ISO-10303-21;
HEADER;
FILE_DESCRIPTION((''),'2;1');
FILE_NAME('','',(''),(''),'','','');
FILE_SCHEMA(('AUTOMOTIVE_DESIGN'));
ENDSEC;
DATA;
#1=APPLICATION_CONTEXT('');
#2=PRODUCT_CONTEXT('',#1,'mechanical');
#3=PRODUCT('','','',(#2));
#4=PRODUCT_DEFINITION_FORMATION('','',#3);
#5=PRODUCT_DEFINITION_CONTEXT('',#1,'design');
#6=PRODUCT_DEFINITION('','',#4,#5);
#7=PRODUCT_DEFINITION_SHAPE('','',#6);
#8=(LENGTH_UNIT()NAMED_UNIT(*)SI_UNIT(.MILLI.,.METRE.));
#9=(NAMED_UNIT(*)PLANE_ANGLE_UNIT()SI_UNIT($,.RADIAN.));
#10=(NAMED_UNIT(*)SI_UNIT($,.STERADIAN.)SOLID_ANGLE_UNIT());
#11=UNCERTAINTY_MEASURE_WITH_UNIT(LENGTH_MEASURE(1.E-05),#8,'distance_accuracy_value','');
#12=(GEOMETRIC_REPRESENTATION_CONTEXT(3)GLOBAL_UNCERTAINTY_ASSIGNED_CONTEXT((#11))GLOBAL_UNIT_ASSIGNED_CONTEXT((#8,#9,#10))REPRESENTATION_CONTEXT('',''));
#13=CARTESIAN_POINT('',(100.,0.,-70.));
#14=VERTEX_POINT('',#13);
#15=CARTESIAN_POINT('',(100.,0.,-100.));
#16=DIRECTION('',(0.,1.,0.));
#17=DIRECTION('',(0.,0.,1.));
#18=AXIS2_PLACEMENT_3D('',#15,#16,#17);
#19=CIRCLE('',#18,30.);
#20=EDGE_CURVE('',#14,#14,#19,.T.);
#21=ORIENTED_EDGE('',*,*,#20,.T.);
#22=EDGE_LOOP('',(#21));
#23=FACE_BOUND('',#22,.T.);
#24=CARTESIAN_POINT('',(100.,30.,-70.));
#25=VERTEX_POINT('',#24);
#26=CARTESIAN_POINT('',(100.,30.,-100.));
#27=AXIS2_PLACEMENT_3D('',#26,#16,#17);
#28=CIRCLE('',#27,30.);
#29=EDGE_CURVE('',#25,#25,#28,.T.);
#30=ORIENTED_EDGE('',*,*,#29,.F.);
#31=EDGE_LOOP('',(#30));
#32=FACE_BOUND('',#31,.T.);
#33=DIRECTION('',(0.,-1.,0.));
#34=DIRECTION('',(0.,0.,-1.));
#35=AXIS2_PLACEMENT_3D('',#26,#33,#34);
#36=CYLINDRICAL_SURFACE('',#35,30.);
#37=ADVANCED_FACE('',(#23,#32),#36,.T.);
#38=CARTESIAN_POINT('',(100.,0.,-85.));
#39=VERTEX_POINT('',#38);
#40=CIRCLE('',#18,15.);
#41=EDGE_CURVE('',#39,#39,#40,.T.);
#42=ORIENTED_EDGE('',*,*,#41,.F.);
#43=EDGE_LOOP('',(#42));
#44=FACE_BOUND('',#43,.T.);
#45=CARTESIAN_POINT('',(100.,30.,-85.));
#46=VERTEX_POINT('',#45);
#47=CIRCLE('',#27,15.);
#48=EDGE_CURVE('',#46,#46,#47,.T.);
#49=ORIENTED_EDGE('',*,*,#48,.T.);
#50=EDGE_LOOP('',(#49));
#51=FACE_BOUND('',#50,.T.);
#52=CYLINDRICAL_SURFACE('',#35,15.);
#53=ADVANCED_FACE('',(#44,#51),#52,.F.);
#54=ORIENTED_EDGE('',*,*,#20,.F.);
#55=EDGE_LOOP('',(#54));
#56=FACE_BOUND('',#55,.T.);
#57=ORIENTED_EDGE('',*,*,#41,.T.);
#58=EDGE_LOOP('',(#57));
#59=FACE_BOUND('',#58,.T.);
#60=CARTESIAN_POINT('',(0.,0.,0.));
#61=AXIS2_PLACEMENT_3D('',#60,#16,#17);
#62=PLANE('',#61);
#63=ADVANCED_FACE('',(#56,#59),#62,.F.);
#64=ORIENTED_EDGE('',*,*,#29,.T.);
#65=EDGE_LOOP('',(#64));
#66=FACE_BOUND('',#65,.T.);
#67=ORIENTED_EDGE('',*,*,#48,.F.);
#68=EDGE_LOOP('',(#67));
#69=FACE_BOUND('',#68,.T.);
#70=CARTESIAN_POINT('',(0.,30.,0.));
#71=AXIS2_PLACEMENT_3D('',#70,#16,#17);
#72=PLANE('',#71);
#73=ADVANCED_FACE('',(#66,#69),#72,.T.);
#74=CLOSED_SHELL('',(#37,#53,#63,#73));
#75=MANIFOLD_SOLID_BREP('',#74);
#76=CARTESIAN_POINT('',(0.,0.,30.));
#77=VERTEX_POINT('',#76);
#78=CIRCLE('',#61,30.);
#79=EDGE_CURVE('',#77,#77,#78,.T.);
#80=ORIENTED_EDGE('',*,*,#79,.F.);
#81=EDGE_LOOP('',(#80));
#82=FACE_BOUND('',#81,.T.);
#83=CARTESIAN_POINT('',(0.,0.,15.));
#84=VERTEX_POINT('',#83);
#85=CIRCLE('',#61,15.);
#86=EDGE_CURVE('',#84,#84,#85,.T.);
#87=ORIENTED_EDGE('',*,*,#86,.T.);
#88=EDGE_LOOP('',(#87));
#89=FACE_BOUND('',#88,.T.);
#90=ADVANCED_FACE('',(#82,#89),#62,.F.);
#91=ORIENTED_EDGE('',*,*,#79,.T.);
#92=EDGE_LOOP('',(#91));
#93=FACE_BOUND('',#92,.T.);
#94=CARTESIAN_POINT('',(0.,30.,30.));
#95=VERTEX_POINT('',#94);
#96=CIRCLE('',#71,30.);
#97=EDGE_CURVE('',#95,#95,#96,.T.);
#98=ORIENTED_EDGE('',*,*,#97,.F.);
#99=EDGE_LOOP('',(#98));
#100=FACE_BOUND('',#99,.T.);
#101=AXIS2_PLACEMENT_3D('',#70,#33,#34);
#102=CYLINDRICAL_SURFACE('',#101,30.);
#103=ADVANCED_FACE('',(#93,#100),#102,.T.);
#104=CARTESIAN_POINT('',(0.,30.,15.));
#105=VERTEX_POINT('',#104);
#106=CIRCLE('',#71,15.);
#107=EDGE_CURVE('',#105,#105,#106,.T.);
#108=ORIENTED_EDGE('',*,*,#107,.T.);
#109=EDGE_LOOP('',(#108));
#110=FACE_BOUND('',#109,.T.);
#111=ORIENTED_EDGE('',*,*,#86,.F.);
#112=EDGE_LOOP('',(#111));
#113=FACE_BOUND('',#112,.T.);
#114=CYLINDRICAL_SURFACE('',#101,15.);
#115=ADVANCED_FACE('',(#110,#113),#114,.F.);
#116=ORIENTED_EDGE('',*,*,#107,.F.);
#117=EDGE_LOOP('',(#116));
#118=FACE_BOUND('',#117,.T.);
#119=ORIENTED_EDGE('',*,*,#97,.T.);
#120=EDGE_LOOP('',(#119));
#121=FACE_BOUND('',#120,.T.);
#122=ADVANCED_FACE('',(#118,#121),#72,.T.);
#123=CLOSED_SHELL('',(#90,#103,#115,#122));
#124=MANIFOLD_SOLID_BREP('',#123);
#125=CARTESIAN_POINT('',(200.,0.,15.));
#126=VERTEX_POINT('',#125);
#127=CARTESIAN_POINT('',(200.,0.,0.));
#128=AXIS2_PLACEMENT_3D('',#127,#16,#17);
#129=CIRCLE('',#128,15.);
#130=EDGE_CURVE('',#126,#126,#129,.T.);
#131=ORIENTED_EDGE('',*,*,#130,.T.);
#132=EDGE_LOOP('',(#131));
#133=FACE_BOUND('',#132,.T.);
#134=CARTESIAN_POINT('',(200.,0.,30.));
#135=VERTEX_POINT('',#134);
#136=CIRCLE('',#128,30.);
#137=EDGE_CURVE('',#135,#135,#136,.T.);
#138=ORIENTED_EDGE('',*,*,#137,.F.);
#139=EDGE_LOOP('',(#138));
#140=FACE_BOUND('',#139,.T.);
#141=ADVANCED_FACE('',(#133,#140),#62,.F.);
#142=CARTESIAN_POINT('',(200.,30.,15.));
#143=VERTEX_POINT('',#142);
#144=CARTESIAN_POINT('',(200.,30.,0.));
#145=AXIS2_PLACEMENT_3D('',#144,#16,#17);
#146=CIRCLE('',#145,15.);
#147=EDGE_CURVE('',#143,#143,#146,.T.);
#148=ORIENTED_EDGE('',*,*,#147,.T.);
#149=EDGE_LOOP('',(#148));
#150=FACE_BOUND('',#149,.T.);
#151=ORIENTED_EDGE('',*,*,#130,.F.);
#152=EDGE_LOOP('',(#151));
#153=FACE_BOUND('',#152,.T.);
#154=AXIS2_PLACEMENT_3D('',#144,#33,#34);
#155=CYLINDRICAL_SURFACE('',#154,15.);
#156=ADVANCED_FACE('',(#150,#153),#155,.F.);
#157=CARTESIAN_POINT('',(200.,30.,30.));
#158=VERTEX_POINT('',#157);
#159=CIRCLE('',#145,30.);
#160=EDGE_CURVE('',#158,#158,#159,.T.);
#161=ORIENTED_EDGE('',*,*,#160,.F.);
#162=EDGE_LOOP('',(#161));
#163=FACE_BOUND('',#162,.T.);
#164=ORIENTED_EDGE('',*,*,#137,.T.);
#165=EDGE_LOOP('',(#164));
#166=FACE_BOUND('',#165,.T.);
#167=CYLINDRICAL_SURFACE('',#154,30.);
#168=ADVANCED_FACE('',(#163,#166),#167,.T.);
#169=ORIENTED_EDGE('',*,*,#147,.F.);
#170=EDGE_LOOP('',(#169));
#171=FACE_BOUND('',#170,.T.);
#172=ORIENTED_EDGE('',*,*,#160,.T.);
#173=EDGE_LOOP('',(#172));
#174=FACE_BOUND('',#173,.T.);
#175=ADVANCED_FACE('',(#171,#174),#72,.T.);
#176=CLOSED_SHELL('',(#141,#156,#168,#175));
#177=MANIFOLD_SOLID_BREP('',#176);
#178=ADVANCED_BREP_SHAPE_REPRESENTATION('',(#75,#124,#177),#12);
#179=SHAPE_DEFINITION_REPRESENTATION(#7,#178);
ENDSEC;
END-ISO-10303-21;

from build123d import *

# Parameters (mm, degrees)
SKETCH1_R             = 30
SKETCH1_R_2           = 15
BOSS_EXTRUDE1_DEPTH   = 30
BOSS_EXTRUDE1_2_DEPTH = 30
BOSS_EXTRUDE1_3_DEPTH = 30


with BuildPart() as part:
    # Sketch1 → Boss-Extrude1 (new body)
    with BuildSketch(Plane(origin=(0, 0, 0), x_dir=(1, 0, 0), z_dir=(0, 1, 0))):
        with Locations(Location((200, 0, 0), (0, 0, 270))):
            Circle(SKETCH1_R)
        with Locations(Location((200, 0, 0), (0, 0, 270))):
            Circle(SKETCH1_R_2, mode=Mode.SUBTRACT)
    extrude(amount=BOSS_EXTRUDE1_DEPTH)


with BuildPart() as body_2:
    # Sketch1 → Boss-Extrude1 2 (new body)
    with BuildSketch(Plane(origin=(0, 0, 0), x_dir=(1, 0, 0), z_dir=(0, 1, 0))):
        with Locations(Location((100, 100, 0), (0, 0, 270))):
            Circle(SKETCH1_R)
        with Locations(Location((100, 100, 0), (0, 0, 270))):
            Circle(SKETCH1_R_2, mode=Mode.SUBTRACT)
    extrude(amount=BOSS_EXTRUDE1_2_DEPTH)


with BuildPart() as body_3:
    # Sketch1 → Boss-Extrude1 3 (new body)
    with BuildSketch(Plane(origin=(0, 0, 0), x_dir=(1, 0, 0), z_dir=(0, 1, 0))):
        with Locations(Location((0, 0, 0), (0, 0, 270))):
            Circle(SKETCH1_R)
        with Locations(Location((0, 0, 0), (0, 0, 270))):
            Circle(SKETCH1_R_2, mode=Mode.SUBTRACT)
    extrude(amount=BOSS_EXTRUDE1_3_DEPTH)


solid = Compound([part.part, body_2.part, body_3.part])
